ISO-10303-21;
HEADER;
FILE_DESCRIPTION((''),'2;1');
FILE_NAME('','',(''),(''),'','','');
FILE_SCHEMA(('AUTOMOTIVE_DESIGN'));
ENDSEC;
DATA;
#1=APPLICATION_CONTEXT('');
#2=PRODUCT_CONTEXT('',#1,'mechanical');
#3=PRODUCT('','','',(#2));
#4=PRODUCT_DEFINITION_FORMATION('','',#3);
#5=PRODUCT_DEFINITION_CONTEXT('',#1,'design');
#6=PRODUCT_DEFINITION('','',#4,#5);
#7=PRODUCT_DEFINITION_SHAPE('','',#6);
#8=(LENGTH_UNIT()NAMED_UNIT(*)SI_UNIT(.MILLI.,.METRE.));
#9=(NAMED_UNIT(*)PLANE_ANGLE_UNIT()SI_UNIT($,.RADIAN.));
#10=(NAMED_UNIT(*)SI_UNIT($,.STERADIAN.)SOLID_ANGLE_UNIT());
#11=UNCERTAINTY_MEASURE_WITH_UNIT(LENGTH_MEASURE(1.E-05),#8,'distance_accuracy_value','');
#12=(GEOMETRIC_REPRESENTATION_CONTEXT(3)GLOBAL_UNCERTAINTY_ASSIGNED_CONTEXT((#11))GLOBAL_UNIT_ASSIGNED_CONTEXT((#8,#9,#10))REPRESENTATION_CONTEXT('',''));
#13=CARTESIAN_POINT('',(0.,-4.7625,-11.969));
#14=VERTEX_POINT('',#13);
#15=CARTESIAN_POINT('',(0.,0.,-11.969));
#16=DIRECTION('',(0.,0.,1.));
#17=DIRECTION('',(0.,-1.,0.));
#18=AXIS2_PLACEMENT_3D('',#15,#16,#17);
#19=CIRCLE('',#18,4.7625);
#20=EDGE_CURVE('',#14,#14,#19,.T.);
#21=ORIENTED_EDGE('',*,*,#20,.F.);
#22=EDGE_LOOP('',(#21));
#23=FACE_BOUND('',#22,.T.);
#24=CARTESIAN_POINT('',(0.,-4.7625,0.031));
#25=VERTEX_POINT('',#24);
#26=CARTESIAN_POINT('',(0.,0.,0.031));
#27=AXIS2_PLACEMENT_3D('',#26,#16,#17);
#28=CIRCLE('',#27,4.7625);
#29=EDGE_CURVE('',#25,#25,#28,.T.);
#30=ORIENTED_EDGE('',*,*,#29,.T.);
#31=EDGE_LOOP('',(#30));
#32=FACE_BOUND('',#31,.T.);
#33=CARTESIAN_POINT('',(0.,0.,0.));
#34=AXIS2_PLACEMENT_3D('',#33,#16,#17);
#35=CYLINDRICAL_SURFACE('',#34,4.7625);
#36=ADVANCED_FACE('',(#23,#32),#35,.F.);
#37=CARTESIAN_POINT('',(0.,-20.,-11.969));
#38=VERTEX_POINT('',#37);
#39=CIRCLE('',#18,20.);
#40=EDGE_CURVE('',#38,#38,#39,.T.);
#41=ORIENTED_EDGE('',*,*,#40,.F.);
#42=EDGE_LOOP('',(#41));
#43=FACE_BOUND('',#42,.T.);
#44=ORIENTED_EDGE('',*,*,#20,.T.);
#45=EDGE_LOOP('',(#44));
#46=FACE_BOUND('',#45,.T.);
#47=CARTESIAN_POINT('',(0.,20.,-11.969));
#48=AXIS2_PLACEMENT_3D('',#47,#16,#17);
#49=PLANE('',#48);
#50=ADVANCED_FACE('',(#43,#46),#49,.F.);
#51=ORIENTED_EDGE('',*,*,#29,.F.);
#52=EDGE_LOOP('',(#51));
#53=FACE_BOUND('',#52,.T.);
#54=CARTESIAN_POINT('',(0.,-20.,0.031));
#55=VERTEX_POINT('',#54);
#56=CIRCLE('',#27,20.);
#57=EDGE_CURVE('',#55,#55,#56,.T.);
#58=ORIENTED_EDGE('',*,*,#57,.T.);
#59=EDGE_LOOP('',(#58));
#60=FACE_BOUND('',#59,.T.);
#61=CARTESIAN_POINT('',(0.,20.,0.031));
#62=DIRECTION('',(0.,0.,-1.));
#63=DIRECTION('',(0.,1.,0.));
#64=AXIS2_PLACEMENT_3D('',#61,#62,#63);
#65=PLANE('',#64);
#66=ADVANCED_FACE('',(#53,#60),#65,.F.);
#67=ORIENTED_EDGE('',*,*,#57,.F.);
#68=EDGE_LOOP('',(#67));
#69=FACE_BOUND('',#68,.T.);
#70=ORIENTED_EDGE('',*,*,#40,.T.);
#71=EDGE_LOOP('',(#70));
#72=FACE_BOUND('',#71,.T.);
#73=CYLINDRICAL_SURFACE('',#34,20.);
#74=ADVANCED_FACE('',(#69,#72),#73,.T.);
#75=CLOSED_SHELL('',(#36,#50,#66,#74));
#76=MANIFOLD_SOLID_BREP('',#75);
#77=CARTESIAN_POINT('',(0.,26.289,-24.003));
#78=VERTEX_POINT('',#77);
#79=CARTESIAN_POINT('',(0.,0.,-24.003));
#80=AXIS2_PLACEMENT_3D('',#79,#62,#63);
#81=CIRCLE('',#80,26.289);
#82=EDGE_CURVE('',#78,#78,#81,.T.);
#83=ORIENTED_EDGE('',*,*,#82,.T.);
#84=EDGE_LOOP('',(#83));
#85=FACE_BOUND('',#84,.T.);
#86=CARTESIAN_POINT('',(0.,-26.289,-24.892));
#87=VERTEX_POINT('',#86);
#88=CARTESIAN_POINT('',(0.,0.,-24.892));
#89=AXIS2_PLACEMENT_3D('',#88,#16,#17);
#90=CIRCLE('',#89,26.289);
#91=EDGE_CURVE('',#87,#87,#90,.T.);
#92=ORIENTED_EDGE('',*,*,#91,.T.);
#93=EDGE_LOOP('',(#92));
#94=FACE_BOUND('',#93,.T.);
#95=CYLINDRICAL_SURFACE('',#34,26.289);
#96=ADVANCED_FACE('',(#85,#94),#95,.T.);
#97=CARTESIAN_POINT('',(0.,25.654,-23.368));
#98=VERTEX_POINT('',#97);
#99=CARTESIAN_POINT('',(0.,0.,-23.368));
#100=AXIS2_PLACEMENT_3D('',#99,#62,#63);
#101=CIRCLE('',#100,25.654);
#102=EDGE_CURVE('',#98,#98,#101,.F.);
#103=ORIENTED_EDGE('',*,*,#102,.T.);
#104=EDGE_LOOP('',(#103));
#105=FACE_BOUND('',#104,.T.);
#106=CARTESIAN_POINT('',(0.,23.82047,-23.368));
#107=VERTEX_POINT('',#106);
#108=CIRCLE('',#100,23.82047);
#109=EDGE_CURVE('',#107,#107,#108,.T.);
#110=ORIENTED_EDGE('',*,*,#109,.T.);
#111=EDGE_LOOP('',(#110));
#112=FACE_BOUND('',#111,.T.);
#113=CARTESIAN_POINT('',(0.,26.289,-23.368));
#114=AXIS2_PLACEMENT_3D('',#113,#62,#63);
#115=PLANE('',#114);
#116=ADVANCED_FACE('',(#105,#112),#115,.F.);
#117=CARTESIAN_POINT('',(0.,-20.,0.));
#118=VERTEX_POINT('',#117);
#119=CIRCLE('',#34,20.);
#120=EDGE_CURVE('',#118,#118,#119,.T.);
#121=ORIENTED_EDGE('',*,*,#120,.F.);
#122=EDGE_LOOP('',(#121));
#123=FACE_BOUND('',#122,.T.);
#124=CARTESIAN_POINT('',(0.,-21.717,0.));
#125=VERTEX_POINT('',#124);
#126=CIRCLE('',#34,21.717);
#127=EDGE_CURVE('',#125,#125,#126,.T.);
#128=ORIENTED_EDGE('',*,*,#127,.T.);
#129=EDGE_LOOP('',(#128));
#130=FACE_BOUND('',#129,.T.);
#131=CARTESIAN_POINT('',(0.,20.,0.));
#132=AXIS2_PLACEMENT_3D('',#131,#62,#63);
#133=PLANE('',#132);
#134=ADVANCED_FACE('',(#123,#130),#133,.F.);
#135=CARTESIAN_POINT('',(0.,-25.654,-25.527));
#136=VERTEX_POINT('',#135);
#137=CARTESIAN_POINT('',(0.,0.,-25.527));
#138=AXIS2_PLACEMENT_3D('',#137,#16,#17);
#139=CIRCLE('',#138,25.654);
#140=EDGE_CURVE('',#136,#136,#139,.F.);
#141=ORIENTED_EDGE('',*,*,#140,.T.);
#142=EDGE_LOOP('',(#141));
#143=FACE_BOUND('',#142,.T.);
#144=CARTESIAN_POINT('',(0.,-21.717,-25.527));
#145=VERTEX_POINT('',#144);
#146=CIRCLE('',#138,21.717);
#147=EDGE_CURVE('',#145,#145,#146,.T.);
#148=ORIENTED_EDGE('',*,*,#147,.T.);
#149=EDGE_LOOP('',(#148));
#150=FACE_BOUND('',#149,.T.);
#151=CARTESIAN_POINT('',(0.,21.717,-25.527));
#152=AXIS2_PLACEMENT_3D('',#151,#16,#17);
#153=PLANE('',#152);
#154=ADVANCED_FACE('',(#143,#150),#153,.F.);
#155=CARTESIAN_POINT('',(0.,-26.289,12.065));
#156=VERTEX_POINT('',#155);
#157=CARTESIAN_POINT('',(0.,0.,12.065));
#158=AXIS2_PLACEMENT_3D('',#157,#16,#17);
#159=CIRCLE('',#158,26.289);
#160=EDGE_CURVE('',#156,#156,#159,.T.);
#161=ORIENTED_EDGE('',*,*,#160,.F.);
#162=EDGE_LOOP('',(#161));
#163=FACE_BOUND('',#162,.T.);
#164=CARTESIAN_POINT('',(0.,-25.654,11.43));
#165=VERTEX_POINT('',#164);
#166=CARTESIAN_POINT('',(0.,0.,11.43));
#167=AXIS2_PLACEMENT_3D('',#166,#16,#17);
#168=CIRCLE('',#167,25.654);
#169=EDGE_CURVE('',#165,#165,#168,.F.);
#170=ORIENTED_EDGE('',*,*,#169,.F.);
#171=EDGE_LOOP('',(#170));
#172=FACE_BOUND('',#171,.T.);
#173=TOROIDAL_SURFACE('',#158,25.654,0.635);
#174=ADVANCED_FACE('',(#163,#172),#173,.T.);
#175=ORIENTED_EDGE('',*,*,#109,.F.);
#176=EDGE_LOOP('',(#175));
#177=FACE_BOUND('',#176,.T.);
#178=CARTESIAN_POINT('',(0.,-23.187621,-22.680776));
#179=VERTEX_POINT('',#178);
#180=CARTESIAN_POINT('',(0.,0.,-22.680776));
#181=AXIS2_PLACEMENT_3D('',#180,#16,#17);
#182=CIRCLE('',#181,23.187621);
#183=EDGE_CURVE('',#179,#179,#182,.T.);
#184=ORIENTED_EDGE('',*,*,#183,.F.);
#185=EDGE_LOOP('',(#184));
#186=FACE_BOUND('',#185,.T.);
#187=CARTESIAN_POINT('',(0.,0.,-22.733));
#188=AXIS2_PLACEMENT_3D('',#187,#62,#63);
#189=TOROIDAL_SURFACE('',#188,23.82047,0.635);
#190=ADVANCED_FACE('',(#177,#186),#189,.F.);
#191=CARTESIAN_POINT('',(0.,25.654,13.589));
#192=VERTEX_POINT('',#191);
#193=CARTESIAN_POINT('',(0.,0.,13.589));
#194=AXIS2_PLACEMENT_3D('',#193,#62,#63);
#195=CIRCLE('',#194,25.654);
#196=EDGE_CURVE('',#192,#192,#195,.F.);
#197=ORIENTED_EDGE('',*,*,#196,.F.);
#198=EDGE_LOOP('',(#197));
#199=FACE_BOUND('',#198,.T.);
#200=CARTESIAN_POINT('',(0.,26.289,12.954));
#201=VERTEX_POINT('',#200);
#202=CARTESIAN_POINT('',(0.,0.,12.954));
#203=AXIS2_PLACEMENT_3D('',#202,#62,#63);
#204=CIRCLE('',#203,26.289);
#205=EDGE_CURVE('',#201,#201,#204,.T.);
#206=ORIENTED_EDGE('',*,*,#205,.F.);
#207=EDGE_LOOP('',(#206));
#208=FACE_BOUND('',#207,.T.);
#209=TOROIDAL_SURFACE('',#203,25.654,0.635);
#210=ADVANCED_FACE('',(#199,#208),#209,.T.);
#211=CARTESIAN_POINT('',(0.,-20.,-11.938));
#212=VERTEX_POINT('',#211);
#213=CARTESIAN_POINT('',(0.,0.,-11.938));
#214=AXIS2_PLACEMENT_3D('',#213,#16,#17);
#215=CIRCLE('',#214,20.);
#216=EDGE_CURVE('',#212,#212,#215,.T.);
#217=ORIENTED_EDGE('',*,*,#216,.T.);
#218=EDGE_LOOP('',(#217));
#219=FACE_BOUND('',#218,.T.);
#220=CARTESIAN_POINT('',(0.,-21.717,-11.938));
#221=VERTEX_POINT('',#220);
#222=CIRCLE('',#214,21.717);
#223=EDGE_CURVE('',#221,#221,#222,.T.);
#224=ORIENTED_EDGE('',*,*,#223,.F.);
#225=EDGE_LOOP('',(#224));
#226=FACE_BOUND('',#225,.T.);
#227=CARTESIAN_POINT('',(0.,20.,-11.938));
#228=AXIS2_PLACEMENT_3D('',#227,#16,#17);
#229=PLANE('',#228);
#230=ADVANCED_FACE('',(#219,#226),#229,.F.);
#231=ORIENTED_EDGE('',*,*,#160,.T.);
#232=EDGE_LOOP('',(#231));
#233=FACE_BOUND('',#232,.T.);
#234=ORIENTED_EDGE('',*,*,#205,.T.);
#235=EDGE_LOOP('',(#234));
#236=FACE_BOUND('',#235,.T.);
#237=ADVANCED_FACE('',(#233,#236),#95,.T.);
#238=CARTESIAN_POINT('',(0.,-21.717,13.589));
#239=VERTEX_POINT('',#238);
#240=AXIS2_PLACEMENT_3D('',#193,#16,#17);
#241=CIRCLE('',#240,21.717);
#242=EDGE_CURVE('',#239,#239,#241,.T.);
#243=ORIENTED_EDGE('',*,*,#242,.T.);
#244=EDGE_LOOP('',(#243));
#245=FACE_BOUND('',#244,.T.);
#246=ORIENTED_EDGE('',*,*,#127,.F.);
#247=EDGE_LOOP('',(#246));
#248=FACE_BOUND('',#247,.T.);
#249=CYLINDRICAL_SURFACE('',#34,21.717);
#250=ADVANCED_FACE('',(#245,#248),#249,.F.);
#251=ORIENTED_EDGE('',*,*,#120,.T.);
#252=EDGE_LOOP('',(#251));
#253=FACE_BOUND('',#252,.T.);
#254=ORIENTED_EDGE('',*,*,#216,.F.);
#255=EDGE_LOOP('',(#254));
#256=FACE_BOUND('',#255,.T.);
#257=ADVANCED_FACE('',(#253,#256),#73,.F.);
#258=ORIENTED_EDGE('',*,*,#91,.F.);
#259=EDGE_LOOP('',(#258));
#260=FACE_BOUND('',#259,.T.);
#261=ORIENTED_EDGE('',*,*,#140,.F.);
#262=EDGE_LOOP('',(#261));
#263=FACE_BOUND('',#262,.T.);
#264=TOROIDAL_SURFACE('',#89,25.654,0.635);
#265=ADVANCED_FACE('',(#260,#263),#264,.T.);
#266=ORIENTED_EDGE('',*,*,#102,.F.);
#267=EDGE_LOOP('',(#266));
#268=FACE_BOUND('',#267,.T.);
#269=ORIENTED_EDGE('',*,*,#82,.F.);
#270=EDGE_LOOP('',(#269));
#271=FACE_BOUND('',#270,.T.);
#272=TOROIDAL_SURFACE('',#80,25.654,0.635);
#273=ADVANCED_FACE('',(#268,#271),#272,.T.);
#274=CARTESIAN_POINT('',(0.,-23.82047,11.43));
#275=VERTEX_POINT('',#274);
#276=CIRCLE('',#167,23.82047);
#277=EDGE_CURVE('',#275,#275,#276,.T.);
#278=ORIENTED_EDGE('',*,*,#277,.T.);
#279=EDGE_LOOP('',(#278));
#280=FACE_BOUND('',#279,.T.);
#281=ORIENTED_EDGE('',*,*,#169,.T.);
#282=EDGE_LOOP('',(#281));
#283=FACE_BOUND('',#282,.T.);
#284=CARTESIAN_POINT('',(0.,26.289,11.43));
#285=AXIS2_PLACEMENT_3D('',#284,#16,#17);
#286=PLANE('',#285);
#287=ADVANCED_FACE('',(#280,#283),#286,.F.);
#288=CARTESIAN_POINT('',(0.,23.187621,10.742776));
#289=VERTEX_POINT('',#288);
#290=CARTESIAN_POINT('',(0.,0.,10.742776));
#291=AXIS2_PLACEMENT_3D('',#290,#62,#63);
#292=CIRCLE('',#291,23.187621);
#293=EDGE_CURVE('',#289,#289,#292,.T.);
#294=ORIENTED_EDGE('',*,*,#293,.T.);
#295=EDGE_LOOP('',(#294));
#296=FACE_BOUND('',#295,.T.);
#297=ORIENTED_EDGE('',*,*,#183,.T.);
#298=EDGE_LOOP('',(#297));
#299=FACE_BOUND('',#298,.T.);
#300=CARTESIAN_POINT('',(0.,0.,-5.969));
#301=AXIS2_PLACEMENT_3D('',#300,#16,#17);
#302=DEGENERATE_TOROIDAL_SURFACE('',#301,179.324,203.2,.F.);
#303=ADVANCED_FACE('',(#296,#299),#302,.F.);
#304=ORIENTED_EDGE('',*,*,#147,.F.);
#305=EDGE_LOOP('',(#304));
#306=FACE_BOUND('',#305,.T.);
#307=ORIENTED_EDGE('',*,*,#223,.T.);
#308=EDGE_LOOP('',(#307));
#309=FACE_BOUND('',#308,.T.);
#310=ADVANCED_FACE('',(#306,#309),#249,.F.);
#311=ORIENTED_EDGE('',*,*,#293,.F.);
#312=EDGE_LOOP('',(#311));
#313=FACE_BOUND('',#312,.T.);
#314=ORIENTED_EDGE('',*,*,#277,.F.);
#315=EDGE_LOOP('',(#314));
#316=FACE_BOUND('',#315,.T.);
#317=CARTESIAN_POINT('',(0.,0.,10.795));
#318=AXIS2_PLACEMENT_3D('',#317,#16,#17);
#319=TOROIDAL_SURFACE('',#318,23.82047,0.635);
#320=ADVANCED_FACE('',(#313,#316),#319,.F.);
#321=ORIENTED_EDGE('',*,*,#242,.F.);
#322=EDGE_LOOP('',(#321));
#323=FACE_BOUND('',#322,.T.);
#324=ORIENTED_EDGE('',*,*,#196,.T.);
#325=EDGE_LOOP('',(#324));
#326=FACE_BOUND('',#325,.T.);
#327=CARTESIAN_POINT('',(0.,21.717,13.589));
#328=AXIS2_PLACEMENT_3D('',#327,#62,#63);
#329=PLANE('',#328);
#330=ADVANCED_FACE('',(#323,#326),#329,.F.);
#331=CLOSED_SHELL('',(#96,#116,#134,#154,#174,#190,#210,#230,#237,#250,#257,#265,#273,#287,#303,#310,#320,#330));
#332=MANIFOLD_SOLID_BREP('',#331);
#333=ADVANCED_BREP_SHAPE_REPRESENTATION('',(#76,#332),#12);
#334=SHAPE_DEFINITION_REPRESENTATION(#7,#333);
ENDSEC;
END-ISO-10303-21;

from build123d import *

# Parameters (mm, degrees)
FILLET1_R = 0.635
SKETCH2_W = 12
SKETCH2_H = 15.2375


with BuildPart() as part:
    # Sketch1 → Revolve1 (revolve)
    with BuildSketch(Plane(origin=(0, 0, 0), x_dir=(0, 0, -1), z_dir=(1, 0, 0)), mode=Mode.PRIVATE) as revolve1_sk:
        with BuildLine():
            Line((23.368, 26.289), (25.527, 26.289))
            Line((25.527, 26.289), (25.527, 21.717))
            Line((25.527, 21.717), (11.938, 21.717))
            Line((11.938, 21.717), (11.938, 20))
            Line((11.938, 20), (0, 20))
            Line((0, 20), (0, 21.717))
            Line((0, 21.717), (-13.589, 21.717))
            Line((-13.589, 21.717), (-13.589, 26.289))
            Line((-13.589, 26.289), (-11.43, 26.289))
            Line((-11.43, 26.289), (-11.43, 23.129734959))
            ThreePointArc((-11.43, 23.129734959), (5.969, 23.876), (23.368, 23.129734959))
            Line((23.368, 23.129734959), (23.368, 26.289))
        make_face()
    revolve(revolve1_sk.sketch.rotate(Axis((0, 0, 0), (0, 0, -1)), 180), axis=Axis((0, 0, 0), (0, 0, -1)))

    # Fillet1
    fillet1_edges = [part.edges().sort_by_distance(p)[0] for p in [
        (0, 26.289, 13.589),
        (0, 26.289, 11.43),
        (0, 23.129734959, 11.43),
        (0, 23.129734959, -23.368),
        (0, 26.289, -23.368),
        (0, 26.289, -25.527),
    ]]
    fillet(fillet1_edges, radius=FILLET1_R)


with BuildPart() as body_2:
    # Sketch2 → Revolve2 (revolve)
    with BuildSketch(Plane(origin=(0, 0, 0), x_dir=(0, 0, -1), z_dir=(1, 0, 0))):
        with Locations((5.969, 12.38125)):
            Rectangle(SKETCH2_W, SKETCH2_H)
    revolve(axis=Axis((0, 0, 0), (0, 0, -1)))


solid = Compound([part.part, body_2.part])
